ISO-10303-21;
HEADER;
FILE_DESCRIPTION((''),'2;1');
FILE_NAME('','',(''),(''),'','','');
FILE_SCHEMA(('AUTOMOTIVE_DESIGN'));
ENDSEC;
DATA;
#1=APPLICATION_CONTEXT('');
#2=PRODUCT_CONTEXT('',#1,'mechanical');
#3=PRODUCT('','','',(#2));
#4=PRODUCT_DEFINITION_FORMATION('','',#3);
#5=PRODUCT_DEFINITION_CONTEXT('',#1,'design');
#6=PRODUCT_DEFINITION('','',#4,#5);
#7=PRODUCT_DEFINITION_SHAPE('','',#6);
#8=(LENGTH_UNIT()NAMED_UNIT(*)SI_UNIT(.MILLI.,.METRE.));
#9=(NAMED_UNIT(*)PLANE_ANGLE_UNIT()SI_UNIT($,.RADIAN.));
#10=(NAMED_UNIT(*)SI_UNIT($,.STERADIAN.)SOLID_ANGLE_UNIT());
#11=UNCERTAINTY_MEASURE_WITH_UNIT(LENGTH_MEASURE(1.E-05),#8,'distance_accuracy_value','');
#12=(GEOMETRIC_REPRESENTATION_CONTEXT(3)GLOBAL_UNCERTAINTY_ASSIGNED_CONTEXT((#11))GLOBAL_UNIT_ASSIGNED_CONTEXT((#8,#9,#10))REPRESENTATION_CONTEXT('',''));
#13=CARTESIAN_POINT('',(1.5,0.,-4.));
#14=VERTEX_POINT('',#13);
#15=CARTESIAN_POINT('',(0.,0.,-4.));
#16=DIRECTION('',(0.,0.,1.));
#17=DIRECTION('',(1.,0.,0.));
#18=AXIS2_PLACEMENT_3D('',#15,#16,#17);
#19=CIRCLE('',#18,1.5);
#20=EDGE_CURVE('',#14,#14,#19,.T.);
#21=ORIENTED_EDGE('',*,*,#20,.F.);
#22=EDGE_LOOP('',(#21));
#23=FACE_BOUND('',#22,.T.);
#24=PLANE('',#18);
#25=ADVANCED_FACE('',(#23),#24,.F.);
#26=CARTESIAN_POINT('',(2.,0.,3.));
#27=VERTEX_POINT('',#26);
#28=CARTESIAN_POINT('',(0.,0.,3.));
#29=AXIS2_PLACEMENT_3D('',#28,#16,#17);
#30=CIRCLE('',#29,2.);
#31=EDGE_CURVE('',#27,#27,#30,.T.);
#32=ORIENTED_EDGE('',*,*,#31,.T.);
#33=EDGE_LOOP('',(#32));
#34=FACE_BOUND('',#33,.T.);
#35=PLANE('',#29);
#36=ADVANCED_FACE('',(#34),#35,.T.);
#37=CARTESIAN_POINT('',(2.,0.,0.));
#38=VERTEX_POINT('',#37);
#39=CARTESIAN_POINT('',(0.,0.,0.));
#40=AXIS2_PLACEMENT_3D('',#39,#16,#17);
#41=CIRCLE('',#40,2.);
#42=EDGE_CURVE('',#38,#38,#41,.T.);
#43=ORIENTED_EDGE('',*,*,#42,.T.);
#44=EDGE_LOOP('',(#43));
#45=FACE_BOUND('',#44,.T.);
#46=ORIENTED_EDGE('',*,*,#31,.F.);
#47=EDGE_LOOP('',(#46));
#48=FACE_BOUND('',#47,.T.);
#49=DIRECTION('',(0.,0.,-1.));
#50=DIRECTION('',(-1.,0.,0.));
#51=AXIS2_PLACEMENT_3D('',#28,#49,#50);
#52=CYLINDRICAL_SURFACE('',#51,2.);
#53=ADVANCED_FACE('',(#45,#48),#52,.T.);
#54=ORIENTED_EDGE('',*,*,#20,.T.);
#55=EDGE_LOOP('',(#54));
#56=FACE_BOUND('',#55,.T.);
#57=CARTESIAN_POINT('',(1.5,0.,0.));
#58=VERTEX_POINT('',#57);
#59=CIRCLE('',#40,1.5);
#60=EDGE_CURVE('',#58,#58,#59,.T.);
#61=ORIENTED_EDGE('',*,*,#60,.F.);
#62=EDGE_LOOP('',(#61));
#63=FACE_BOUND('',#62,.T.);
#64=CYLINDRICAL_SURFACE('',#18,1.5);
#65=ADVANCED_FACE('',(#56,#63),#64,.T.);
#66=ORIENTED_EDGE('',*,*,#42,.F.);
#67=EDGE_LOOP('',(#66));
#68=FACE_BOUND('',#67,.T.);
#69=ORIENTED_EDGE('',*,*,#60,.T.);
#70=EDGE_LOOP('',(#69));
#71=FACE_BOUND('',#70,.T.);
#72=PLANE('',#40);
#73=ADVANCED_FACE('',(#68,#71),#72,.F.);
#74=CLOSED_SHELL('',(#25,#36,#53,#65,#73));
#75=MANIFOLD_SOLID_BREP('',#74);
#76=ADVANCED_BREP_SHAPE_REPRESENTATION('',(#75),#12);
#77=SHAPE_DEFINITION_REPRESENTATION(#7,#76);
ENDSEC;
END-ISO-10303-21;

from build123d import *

# Parameters (mm, degrees)
SKETCH1_R           = 2
BOSS_EXTRUDE1_DEPTH = 3
SKETCH1_3_R         = 1.5
BOSS_EXTRUDE2_DEPTH = 4


with BuildPart() as part:
    # Sketch1 → Boss-Extrude1 (new body)
    with BuildSketch(Plane.XY):
        Circle(SKETCH1_R)
    extrude(amount=BOSS_EXTRUDE1_DEPTH)

    # Sketch1<3> → Boss-Extrude2 (add)
    with BuildSketch(Plane.XY):
        Circle(SKETCH1_3_R)
    extrude(amount=-BOSS_EXTRUDE2_DEPTH)


solid = part.part
